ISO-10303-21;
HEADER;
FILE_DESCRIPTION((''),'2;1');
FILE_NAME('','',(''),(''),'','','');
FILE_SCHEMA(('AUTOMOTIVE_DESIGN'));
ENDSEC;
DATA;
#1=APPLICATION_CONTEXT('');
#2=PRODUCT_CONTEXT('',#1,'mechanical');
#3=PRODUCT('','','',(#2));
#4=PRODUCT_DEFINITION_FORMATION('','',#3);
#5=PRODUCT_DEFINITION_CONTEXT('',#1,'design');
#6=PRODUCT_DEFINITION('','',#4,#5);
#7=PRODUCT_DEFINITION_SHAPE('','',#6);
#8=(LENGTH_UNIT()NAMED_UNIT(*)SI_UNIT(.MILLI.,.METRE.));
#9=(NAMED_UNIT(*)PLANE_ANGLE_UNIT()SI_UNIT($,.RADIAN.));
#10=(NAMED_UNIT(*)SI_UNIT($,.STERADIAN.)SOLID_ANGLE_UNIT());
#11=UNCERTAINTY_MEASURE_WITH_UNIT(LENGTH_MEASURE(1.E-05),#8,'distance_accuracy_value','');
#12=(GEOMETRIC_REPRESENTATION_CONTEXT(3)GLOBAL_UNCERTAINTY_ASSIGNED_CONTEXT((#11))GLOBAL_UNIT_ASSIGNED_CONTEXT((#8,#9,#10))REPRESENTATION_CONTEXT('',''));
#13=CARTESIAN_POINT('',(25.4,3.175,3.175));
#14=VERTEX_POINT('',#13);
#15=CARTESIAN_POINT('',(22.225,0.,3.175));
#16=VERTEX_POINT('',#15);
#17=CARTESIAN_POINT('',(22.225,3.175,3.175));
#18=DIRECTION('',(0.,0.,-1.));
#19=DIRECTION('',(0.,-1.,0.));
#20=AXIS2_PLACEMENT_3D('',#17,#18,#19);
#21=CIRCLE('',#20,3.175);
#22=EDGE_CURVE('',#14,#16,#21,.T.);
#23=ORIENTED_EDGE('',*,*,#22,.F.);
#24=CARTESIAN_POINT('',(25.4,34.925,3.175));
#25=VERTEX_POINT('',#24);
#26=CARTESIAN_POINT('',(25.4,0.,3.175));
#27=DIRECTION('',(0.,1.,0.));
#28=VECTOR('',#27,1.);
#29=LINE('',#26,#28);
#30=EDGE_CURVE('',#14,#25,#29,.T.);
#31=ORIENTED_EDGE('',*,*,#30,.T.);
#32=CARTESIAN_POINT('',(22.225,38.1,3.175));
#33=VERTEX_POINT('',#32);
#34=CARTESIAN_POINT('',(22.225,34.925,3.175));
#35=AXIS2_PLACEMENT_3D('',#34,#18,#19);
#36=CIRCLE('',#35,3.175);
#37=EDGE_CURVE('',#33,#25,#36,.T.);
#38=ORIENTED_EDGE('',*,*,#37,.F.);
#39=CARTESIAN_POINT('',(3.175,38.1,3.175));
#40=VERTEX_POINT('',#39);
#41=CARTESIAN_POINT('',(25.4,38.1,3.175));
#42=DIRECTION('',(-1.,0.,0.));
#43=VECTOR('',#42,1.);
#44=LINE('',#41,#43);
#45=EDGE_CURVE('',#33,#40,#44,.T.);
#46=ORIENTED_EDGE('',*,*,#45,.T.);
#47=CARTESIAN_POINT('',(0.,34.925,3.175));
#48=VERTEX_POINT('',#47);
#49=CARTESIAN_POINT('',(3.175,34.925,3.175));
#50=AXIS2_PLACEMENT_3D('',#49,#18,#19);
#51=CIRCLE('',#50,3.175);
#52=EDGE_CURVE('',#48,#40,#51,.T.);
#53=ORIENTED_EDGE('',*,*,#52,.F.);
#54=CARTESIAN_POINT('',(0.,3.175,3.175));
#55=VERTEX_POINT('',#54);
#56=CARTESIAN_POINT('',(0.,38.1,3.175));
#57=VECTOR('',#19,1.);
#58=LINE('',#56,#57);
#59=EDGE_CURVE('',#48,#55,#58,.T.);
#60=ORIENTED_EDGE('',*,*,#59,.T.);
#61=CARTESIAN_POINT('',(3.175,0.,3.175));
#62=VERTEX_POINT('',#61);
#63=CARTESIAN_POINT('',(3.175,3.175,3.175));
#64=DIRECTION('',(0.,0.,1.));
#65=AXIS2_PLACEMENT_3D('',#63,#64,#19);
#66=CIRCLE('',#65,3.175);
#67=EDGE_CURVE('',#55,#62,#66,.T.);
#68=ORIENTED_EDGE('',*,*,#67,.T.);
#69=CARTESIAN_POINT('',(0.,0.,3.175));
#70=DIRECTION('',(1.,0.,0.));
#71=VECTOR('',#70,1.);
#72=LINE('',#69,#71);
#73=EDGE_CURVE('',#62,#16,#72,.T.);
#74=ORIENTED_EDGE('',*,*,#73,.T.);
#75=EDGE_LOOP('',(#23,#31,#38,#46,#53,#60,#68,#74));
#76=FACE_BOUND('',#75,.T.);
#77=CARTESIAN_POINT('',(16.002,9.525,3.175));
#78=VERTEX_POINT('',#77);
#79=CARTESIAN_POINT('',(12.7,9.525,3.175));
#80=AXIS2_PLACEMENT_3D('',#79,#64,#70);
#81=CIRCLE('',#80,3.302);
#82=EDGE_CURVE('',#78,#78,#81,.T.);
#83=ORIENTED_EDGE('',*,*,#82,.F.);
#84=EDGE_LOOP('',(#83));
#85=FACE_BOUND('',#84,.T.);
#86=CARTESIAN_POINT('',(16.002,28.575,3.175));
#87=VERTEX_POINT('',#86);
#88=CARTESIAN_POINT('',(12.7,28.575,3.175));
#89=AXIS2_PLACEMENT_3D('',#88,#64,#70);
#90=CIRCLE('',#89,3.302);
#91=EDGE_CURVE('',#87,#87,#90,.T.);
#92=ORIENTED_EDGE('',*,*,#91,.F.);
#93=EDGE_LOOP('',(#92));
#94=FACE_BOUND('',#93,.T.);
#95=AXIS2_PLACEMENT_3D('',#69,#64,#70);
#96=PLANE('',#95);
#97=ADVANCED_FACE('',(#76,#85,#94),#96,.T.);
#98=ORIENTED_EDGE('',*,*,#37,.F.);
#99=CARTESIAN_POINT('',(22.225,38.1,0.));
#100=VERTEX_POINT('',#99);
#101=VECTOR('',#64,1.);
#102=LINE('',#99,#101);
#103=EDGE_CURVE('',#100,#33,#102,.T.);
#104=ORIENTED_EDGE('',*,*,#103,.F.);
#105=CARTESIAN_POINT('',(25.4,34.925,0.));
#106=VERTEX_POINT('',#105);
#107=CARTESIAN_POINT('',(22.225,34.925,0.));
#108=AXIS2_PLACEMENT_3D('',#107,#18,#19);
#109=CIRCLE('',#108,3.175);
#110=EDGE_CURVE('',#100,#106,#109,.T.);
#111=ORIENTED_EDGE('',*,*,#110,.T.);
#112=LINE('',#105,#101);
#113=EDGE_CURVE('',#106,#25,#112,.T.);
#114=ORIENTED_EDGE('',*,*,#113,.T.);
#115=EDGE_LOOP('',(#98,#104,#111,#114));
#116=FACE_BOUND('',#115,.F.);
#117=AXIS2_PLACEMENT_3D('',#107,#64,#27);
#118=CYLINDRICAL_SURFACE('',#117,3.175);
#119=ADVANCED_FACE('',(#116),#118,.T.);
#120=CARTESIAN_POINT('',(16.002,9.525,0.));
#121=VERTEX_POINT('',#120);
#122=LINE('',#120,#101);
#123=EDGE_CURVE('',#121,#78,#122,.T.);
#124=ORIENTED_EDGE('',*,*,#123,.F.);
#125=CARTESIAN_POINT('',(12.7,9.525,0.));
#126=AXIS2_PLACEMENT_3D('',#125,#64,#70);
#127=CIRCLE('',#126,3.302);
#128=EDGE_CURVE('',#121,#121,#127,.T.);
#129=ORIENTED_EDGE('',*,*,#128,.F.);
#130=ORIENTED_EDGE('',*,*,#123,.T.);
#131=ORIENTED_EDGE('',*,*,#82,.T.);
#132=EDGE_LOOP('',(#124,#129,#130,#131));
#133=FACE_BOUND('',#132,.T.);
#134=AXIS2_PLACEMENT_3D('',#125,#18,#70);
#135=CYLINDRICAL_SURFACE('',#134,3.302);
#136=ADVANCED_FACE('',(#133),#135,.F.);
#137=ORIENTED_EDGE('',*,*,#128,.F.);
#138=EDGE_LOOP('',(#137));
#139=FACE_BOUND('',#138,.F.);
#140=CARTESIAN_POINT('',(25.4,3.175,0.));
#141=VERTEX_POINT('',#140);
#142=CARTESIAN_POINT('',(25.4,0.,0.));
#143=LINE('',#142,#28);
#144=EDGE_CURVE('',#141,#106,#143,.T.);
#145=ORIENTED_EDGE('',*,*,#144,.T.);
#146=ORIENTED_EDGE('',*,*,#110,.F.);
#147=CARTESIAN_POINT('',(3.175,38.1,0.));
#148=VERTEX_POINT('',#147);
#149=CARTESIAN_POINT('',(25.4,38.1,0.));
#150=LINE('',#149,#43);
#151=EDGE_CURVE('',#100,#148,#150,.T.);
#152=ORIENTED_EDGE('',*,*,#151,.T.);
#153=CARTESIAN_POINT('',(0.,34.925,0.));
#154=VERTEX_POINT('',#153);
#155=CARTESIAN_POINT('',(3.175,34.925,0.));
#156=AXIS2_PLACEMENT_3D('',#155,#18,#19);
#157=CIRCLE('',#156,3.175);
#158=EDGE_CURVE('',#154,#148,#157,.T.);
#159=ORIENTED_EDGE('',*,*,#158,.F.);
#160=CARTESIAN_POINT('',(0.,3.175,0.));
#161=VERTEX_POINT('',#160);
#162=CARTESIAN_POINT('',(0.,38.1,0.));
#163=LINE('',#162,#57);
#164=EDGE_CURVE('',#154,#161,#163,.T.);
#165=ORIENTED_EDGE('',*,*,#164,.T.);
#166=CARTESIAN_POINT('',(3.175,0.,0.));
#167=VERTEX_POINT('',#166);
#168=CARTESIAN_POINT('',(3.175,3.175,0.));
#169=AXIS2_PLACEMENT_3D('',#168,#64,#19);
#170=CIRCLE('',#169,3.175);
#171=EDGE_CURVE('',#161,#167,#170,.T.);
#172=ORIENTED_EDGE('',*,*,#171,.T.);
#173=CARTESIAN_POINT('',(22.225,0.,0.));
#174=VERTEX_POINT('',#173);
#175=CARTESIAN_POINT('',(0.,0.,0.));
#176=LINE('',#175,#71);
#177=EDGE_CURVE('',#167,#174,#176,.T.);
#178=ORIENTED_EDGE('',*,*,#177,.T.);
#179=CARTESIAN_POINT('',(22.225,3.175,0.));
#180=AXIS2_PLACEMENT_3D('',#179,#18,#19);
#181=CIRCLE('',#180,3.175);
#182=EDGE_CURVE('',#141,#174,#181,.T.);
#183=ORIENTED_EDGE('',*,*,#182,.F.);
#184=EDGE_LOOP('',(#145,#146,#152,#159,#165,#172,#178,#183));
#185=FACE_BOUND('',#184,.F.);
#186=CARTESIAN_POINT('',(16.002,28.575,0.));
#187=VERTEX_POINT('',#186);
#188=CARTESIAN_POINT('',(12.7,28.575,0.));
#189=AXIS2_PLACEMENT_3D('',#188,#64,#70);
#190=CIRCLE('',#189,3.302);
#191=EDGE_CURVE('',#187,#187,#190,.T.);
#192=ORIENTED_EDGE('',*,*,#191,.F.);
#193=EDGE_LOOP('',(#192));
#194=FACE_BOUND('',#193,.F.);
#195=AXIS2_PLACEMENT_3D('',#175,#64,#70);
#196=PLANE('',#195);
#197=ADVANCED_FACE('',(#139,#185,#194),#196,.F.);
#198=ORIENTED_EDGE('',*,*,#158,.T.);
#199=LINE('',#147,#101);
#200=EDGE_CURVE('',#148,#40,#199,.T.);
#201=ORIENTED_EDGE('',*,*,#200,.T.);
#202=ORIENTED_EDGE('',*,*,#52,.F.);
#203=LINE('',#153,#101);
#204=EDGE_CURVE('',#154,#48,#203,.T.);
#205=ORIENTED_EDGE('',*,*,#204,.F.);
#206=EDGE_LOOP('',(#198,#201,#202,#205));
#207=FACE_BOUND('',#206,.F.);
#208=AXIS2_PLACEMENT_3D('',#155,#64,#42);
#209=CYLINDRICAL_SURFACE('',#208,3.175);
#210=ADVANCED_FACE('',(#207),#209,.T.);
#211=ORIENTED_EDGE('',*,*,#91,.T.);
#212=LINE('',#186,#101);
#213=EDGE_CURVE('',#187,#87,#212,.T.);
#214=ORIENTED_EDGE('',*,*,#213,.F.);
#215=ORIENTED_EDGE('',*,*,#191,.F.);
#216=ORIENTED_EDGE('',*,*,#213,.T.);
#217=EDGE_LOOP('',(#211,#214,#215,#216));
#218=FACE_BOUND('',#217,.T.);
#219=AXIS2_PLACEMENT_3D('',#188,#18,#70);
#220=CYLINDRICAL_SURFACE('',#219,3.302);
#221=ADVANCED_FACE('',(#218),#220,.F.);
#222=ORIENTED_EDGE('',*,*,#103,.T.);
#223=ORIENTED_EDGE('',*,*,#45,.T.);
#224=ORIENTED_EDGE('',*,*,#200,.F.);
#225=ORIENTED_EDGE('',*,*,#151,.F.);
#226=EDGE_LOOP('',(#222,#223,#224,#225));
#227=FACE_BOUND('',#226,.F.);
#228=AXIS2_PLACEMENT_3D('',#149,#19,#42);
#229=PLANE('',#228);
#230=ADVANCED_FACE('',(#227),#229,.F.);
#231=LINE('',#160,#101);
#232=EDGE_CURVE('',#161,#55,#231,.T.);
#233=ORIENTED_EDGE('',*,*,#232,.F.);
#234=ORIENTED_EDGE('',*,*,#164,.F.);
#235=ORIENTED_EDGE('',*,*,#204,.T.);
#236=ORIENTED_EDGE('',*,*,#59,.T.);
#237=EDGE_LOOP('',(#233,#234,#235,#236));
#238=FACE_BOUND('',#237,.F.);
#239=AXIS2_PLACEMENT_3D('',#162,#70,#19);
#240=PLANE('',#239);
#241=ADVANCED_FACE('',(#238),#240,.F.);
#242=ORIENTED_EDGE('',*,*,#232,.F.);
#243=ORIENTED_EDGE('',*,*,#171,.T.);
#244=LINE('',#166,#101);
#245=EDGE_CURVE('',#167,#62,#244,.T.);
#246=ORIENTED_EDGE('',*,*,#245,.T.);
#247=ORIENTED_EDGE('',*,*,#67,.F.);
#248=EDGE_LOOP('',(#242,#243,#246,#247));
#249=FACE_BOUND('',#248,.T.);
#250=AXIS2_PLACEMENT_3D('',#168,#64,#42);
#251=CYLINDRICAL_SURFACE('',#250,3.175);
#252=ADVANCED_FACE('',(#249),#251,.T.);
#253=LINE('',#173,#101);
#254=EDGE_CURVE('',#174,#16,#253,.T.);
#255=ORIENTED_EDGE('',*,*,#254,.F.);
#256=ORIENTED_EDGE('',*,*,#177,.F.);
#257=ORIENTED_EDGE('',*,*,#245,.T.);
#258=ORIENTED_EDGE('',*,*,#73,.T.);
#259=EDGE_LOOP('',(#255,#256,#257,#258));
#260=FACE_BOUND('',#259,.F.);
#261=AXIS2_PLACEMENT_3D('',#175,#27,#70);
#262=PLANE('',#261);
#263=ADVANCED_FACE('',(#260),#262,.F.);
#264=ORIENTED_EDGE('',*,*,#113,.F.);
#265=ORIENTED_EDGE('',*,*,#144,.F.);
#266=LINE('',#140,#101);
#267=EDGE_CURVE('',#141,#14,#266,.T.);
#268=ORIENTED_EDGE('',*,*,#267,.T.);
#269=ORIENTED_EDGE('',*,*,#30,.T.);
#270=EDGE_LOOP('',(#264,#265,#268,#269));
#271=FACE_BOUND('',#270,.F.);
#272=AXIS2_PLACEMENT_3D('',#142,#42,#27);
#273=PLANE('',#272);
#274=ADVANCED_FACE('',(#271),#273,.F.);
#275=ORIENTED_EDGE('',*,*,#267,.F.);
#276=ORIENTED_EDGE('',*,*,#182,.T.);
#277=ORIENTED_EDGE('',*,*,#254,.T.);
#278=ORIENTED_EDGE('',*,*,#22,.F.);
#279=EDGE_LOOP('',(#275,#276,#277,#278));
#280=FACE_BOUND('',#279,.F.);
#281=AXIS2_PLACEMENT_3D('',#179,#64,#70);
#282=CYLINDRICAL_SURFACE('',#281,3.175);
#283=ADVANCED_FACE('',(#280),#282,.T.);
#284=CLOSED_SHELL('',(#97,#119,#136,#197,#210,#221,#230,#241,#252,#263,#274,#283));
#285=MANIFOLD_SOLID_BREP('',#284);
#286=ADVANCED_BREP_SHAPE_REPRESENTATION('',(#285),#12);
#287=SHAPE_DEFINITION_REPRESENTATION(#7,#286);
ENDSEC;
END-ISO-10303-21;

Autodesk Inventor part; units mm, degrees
ref_plane "YZ Plane" through (0, 0, 0) normal (1, 0, 0) x (0, 1, 0)
ref_plane "XZ Plane" through (0, 0, 0) normal (0, 1, 0) x (-1, 0, 0)
ref_plane "XY Plane" through (0, 0, 0) normal (0, 0, 1) x (1, 0, 0)
sketch "Sketch1" plane through (0, 0, 0) normal (0, 0, 1) x (1, 0, 0)
  line L0 (0, 0) -> (25.4, 0)
  line L1 (25.4, 0) -> (25.4, 38.1)
  line L2 (25.4, 38.1) -> (0, 38.1)
  line L3 (0, 38.1) -> (0, 0)
  line L4 (12.7, 38.1) -> (12.7, 0) construction
  circle A0 centre (12.7, 28.575) radius 3.302
  circle A1 centre (12.7, 9.525) radius 3.302
  dimension "d0" = 25.4
  dimension "d2" = 38.1
  dimension "d3" = 6.604
  dimension "d4" = 19.05
  dimension "d5" = 9.525
  dimension "d9" = 9.525
extrude "Extrusion1" add sketch "Sketch1" along normal blind 3.175
fillet "Fillet1" radius 3.175 4 edges at (25.4, 38.1, 1.5875) (0, 38.1, 1.5875) (25.4, 0, 1.5875) (0, 0, 1.5875)
properties part number "Chassis Tower Support Plate (for Bracket 1)" material "Aluminum 6061"
